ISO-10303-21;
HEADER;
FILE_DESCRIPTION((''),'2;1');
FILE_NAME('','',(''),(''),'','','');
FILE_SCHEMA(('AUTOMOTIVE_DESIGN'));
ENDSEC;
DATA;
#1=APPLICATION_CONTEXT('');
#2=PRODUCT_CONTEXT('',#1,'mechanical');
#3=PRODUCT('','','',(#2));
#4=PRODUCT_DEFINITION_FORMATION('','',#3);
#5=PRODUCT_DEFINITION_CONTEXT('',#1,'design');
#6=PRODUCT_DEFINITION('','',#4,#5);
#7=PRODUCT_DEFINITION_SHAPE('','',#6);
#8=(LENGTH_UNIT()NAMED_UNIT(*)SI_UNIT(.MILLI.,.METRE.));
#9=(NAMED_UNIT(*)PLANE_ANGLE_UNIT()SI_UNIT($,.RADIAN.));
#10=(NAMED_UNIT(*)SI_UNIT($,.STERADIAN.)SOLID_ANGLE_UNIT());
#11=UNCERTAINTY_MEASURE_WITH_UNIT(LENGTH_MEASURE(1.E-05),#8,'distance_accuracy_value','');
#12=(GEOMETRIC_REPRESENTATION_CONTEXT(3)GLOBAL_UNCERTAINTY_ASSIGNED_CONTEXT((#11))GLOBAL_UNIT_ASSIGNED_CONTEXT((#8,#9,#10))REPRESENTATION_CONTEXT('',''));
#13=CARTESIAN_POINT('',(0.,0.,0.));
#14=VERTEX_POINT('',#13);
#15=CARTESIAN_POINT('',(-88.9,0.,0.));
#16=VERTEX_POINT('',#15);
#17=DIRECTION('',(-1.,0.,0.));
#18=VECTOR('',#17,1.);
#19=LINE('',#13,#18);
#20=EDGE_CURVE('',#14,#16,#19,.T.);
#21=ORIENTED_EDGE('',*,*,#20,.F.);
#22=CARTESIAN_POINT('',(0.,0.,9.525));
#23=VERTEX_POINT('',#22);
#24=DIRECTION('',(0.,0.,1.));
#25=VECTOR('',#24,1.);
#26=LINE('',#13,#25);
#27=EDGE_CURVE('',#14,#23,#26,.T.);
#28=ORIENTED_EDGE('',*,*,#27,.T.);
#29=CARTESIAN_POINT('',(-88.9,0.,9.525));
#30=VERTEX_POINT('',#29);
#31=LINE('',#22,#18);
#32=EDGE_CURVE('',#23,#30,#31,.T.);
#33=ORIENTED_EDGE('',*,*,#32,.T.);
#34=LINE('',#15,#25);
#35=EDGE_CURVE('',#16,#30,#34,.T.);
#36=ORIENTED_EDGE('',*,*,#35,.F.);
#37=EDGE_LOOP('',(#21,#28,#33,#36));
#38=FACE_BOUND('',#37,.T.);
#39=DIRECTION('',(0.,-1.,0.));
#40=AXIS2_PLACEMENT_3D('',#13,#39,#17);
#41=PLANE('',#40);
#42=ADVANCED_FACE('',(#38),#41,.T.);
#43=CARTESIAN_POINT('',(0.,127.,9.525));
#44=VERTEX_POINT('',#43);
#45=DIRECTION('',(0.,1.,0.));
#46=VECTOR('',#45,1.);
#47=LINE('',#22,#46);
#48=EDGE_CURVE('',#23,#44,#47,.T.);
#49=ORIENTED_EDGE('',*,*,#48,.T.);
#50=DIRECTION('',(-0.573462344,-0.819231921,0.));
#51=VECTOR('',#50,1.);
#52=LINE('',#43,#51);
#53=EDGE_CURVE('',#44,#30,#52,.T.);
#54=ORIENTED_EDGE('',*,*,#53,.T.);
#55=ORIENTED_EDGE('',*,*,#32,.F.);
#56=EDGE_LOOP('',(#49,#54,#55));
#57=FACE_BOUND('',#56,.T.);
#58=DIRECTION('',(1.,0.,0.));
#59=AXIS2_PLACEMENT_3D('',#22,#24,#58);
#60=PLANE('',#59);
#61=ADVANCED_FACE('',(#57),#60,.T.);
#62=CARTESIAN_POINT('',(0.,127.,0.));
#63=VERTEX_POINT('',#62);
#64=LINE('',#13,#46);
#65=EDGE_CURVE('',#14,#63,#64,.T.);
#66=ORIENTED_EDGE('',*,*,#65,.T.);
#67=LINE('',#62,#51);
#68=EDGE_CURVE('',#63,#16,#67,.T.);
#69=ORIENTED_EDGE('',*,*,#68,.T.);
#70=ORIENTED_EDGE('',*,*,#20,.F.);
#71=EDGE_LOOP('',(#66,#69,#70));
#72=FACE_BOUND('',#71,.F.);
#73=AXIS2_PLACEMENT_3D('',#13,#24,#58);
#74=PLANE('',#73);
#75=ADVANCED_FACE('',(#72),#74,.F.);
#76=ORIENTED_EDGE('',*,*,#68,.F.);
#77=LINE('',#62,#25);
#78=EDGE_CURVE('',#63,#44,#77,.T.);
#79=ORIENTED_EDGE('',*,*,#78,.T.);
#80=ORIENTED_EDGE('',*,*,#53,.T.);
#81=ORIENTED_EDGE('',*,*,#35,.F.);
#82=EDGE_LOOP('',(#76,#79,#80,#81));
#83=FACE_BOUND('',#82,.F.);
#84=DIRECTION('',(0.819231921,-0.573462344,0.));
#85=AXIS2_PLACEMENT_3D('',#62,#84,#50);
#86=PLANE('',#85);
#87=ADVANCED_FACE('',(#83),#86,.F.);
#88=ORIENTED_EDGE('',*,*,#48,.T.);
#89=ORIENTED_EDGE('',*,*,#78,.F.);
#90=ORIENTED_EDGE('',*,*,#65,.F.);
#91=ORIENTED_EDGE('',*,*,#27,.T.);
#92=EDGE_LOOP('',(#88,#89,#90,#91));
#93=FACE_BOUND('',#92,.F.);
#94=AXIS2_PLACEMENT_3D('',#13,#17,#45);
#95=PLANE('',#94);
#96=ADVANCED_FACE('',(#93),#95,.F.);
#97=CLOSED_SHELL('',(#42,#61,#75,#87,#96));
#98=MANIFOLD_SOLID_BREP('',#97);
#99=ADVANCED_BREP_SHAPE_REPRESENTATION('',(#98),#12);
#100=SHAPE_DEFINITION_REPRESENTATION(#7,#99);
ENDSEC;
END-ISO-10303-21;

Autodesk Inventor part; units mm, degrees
ref_plane "YZ Plane" through (0, 0, 0) normal (1, 0, 0) x (0, 1, 0)
ref_plane "XZ Plane" through (0, 0, 0) normal (0, 1, 0) x (-1, 0, 0)
ref_plane "XY Plane" through (0, 0, 0) normal (0, 0, 1) x (1, 0, 0)
sketch "Sketch1" plane through (0, 0, 0) normal (0, 0, 1) x (1, 0, 0)
  line L0 (0, 0) -> (-88.9, 0)
  line L1 (0, 0) -> (0, 127)
  line L2 (0, 127) -> (-88.9, 0)
  dimension "d29" = 88.9
  dimension "d30" = 127
extrude "Plate1" add sketch "Sketch1" along normal blind 9.525
equation "\"d15\" = Thickness"
equation "\"BendReliefWidth\" = Thickness"
equation "\"BendReliefDepth\" = 0.5 * Thickness"
equation "\"CornerReliefSize\" = 4 * Thickness"
equation "\"MinimumRemnant\" = 2 * Thickness"
equation "\"TransitionRadius\" = BendRadius"
equation "\"JacobiRadiusSize\" = Thickness"
equation "\"GapSize\" = Thickness"
equation "\"Thickness\" = 9.525"
equation "\"BendRadius\" = 13.208"
properties part number "Front Hitch Model-2_Sheet Stifferner-2" material "SS304"
